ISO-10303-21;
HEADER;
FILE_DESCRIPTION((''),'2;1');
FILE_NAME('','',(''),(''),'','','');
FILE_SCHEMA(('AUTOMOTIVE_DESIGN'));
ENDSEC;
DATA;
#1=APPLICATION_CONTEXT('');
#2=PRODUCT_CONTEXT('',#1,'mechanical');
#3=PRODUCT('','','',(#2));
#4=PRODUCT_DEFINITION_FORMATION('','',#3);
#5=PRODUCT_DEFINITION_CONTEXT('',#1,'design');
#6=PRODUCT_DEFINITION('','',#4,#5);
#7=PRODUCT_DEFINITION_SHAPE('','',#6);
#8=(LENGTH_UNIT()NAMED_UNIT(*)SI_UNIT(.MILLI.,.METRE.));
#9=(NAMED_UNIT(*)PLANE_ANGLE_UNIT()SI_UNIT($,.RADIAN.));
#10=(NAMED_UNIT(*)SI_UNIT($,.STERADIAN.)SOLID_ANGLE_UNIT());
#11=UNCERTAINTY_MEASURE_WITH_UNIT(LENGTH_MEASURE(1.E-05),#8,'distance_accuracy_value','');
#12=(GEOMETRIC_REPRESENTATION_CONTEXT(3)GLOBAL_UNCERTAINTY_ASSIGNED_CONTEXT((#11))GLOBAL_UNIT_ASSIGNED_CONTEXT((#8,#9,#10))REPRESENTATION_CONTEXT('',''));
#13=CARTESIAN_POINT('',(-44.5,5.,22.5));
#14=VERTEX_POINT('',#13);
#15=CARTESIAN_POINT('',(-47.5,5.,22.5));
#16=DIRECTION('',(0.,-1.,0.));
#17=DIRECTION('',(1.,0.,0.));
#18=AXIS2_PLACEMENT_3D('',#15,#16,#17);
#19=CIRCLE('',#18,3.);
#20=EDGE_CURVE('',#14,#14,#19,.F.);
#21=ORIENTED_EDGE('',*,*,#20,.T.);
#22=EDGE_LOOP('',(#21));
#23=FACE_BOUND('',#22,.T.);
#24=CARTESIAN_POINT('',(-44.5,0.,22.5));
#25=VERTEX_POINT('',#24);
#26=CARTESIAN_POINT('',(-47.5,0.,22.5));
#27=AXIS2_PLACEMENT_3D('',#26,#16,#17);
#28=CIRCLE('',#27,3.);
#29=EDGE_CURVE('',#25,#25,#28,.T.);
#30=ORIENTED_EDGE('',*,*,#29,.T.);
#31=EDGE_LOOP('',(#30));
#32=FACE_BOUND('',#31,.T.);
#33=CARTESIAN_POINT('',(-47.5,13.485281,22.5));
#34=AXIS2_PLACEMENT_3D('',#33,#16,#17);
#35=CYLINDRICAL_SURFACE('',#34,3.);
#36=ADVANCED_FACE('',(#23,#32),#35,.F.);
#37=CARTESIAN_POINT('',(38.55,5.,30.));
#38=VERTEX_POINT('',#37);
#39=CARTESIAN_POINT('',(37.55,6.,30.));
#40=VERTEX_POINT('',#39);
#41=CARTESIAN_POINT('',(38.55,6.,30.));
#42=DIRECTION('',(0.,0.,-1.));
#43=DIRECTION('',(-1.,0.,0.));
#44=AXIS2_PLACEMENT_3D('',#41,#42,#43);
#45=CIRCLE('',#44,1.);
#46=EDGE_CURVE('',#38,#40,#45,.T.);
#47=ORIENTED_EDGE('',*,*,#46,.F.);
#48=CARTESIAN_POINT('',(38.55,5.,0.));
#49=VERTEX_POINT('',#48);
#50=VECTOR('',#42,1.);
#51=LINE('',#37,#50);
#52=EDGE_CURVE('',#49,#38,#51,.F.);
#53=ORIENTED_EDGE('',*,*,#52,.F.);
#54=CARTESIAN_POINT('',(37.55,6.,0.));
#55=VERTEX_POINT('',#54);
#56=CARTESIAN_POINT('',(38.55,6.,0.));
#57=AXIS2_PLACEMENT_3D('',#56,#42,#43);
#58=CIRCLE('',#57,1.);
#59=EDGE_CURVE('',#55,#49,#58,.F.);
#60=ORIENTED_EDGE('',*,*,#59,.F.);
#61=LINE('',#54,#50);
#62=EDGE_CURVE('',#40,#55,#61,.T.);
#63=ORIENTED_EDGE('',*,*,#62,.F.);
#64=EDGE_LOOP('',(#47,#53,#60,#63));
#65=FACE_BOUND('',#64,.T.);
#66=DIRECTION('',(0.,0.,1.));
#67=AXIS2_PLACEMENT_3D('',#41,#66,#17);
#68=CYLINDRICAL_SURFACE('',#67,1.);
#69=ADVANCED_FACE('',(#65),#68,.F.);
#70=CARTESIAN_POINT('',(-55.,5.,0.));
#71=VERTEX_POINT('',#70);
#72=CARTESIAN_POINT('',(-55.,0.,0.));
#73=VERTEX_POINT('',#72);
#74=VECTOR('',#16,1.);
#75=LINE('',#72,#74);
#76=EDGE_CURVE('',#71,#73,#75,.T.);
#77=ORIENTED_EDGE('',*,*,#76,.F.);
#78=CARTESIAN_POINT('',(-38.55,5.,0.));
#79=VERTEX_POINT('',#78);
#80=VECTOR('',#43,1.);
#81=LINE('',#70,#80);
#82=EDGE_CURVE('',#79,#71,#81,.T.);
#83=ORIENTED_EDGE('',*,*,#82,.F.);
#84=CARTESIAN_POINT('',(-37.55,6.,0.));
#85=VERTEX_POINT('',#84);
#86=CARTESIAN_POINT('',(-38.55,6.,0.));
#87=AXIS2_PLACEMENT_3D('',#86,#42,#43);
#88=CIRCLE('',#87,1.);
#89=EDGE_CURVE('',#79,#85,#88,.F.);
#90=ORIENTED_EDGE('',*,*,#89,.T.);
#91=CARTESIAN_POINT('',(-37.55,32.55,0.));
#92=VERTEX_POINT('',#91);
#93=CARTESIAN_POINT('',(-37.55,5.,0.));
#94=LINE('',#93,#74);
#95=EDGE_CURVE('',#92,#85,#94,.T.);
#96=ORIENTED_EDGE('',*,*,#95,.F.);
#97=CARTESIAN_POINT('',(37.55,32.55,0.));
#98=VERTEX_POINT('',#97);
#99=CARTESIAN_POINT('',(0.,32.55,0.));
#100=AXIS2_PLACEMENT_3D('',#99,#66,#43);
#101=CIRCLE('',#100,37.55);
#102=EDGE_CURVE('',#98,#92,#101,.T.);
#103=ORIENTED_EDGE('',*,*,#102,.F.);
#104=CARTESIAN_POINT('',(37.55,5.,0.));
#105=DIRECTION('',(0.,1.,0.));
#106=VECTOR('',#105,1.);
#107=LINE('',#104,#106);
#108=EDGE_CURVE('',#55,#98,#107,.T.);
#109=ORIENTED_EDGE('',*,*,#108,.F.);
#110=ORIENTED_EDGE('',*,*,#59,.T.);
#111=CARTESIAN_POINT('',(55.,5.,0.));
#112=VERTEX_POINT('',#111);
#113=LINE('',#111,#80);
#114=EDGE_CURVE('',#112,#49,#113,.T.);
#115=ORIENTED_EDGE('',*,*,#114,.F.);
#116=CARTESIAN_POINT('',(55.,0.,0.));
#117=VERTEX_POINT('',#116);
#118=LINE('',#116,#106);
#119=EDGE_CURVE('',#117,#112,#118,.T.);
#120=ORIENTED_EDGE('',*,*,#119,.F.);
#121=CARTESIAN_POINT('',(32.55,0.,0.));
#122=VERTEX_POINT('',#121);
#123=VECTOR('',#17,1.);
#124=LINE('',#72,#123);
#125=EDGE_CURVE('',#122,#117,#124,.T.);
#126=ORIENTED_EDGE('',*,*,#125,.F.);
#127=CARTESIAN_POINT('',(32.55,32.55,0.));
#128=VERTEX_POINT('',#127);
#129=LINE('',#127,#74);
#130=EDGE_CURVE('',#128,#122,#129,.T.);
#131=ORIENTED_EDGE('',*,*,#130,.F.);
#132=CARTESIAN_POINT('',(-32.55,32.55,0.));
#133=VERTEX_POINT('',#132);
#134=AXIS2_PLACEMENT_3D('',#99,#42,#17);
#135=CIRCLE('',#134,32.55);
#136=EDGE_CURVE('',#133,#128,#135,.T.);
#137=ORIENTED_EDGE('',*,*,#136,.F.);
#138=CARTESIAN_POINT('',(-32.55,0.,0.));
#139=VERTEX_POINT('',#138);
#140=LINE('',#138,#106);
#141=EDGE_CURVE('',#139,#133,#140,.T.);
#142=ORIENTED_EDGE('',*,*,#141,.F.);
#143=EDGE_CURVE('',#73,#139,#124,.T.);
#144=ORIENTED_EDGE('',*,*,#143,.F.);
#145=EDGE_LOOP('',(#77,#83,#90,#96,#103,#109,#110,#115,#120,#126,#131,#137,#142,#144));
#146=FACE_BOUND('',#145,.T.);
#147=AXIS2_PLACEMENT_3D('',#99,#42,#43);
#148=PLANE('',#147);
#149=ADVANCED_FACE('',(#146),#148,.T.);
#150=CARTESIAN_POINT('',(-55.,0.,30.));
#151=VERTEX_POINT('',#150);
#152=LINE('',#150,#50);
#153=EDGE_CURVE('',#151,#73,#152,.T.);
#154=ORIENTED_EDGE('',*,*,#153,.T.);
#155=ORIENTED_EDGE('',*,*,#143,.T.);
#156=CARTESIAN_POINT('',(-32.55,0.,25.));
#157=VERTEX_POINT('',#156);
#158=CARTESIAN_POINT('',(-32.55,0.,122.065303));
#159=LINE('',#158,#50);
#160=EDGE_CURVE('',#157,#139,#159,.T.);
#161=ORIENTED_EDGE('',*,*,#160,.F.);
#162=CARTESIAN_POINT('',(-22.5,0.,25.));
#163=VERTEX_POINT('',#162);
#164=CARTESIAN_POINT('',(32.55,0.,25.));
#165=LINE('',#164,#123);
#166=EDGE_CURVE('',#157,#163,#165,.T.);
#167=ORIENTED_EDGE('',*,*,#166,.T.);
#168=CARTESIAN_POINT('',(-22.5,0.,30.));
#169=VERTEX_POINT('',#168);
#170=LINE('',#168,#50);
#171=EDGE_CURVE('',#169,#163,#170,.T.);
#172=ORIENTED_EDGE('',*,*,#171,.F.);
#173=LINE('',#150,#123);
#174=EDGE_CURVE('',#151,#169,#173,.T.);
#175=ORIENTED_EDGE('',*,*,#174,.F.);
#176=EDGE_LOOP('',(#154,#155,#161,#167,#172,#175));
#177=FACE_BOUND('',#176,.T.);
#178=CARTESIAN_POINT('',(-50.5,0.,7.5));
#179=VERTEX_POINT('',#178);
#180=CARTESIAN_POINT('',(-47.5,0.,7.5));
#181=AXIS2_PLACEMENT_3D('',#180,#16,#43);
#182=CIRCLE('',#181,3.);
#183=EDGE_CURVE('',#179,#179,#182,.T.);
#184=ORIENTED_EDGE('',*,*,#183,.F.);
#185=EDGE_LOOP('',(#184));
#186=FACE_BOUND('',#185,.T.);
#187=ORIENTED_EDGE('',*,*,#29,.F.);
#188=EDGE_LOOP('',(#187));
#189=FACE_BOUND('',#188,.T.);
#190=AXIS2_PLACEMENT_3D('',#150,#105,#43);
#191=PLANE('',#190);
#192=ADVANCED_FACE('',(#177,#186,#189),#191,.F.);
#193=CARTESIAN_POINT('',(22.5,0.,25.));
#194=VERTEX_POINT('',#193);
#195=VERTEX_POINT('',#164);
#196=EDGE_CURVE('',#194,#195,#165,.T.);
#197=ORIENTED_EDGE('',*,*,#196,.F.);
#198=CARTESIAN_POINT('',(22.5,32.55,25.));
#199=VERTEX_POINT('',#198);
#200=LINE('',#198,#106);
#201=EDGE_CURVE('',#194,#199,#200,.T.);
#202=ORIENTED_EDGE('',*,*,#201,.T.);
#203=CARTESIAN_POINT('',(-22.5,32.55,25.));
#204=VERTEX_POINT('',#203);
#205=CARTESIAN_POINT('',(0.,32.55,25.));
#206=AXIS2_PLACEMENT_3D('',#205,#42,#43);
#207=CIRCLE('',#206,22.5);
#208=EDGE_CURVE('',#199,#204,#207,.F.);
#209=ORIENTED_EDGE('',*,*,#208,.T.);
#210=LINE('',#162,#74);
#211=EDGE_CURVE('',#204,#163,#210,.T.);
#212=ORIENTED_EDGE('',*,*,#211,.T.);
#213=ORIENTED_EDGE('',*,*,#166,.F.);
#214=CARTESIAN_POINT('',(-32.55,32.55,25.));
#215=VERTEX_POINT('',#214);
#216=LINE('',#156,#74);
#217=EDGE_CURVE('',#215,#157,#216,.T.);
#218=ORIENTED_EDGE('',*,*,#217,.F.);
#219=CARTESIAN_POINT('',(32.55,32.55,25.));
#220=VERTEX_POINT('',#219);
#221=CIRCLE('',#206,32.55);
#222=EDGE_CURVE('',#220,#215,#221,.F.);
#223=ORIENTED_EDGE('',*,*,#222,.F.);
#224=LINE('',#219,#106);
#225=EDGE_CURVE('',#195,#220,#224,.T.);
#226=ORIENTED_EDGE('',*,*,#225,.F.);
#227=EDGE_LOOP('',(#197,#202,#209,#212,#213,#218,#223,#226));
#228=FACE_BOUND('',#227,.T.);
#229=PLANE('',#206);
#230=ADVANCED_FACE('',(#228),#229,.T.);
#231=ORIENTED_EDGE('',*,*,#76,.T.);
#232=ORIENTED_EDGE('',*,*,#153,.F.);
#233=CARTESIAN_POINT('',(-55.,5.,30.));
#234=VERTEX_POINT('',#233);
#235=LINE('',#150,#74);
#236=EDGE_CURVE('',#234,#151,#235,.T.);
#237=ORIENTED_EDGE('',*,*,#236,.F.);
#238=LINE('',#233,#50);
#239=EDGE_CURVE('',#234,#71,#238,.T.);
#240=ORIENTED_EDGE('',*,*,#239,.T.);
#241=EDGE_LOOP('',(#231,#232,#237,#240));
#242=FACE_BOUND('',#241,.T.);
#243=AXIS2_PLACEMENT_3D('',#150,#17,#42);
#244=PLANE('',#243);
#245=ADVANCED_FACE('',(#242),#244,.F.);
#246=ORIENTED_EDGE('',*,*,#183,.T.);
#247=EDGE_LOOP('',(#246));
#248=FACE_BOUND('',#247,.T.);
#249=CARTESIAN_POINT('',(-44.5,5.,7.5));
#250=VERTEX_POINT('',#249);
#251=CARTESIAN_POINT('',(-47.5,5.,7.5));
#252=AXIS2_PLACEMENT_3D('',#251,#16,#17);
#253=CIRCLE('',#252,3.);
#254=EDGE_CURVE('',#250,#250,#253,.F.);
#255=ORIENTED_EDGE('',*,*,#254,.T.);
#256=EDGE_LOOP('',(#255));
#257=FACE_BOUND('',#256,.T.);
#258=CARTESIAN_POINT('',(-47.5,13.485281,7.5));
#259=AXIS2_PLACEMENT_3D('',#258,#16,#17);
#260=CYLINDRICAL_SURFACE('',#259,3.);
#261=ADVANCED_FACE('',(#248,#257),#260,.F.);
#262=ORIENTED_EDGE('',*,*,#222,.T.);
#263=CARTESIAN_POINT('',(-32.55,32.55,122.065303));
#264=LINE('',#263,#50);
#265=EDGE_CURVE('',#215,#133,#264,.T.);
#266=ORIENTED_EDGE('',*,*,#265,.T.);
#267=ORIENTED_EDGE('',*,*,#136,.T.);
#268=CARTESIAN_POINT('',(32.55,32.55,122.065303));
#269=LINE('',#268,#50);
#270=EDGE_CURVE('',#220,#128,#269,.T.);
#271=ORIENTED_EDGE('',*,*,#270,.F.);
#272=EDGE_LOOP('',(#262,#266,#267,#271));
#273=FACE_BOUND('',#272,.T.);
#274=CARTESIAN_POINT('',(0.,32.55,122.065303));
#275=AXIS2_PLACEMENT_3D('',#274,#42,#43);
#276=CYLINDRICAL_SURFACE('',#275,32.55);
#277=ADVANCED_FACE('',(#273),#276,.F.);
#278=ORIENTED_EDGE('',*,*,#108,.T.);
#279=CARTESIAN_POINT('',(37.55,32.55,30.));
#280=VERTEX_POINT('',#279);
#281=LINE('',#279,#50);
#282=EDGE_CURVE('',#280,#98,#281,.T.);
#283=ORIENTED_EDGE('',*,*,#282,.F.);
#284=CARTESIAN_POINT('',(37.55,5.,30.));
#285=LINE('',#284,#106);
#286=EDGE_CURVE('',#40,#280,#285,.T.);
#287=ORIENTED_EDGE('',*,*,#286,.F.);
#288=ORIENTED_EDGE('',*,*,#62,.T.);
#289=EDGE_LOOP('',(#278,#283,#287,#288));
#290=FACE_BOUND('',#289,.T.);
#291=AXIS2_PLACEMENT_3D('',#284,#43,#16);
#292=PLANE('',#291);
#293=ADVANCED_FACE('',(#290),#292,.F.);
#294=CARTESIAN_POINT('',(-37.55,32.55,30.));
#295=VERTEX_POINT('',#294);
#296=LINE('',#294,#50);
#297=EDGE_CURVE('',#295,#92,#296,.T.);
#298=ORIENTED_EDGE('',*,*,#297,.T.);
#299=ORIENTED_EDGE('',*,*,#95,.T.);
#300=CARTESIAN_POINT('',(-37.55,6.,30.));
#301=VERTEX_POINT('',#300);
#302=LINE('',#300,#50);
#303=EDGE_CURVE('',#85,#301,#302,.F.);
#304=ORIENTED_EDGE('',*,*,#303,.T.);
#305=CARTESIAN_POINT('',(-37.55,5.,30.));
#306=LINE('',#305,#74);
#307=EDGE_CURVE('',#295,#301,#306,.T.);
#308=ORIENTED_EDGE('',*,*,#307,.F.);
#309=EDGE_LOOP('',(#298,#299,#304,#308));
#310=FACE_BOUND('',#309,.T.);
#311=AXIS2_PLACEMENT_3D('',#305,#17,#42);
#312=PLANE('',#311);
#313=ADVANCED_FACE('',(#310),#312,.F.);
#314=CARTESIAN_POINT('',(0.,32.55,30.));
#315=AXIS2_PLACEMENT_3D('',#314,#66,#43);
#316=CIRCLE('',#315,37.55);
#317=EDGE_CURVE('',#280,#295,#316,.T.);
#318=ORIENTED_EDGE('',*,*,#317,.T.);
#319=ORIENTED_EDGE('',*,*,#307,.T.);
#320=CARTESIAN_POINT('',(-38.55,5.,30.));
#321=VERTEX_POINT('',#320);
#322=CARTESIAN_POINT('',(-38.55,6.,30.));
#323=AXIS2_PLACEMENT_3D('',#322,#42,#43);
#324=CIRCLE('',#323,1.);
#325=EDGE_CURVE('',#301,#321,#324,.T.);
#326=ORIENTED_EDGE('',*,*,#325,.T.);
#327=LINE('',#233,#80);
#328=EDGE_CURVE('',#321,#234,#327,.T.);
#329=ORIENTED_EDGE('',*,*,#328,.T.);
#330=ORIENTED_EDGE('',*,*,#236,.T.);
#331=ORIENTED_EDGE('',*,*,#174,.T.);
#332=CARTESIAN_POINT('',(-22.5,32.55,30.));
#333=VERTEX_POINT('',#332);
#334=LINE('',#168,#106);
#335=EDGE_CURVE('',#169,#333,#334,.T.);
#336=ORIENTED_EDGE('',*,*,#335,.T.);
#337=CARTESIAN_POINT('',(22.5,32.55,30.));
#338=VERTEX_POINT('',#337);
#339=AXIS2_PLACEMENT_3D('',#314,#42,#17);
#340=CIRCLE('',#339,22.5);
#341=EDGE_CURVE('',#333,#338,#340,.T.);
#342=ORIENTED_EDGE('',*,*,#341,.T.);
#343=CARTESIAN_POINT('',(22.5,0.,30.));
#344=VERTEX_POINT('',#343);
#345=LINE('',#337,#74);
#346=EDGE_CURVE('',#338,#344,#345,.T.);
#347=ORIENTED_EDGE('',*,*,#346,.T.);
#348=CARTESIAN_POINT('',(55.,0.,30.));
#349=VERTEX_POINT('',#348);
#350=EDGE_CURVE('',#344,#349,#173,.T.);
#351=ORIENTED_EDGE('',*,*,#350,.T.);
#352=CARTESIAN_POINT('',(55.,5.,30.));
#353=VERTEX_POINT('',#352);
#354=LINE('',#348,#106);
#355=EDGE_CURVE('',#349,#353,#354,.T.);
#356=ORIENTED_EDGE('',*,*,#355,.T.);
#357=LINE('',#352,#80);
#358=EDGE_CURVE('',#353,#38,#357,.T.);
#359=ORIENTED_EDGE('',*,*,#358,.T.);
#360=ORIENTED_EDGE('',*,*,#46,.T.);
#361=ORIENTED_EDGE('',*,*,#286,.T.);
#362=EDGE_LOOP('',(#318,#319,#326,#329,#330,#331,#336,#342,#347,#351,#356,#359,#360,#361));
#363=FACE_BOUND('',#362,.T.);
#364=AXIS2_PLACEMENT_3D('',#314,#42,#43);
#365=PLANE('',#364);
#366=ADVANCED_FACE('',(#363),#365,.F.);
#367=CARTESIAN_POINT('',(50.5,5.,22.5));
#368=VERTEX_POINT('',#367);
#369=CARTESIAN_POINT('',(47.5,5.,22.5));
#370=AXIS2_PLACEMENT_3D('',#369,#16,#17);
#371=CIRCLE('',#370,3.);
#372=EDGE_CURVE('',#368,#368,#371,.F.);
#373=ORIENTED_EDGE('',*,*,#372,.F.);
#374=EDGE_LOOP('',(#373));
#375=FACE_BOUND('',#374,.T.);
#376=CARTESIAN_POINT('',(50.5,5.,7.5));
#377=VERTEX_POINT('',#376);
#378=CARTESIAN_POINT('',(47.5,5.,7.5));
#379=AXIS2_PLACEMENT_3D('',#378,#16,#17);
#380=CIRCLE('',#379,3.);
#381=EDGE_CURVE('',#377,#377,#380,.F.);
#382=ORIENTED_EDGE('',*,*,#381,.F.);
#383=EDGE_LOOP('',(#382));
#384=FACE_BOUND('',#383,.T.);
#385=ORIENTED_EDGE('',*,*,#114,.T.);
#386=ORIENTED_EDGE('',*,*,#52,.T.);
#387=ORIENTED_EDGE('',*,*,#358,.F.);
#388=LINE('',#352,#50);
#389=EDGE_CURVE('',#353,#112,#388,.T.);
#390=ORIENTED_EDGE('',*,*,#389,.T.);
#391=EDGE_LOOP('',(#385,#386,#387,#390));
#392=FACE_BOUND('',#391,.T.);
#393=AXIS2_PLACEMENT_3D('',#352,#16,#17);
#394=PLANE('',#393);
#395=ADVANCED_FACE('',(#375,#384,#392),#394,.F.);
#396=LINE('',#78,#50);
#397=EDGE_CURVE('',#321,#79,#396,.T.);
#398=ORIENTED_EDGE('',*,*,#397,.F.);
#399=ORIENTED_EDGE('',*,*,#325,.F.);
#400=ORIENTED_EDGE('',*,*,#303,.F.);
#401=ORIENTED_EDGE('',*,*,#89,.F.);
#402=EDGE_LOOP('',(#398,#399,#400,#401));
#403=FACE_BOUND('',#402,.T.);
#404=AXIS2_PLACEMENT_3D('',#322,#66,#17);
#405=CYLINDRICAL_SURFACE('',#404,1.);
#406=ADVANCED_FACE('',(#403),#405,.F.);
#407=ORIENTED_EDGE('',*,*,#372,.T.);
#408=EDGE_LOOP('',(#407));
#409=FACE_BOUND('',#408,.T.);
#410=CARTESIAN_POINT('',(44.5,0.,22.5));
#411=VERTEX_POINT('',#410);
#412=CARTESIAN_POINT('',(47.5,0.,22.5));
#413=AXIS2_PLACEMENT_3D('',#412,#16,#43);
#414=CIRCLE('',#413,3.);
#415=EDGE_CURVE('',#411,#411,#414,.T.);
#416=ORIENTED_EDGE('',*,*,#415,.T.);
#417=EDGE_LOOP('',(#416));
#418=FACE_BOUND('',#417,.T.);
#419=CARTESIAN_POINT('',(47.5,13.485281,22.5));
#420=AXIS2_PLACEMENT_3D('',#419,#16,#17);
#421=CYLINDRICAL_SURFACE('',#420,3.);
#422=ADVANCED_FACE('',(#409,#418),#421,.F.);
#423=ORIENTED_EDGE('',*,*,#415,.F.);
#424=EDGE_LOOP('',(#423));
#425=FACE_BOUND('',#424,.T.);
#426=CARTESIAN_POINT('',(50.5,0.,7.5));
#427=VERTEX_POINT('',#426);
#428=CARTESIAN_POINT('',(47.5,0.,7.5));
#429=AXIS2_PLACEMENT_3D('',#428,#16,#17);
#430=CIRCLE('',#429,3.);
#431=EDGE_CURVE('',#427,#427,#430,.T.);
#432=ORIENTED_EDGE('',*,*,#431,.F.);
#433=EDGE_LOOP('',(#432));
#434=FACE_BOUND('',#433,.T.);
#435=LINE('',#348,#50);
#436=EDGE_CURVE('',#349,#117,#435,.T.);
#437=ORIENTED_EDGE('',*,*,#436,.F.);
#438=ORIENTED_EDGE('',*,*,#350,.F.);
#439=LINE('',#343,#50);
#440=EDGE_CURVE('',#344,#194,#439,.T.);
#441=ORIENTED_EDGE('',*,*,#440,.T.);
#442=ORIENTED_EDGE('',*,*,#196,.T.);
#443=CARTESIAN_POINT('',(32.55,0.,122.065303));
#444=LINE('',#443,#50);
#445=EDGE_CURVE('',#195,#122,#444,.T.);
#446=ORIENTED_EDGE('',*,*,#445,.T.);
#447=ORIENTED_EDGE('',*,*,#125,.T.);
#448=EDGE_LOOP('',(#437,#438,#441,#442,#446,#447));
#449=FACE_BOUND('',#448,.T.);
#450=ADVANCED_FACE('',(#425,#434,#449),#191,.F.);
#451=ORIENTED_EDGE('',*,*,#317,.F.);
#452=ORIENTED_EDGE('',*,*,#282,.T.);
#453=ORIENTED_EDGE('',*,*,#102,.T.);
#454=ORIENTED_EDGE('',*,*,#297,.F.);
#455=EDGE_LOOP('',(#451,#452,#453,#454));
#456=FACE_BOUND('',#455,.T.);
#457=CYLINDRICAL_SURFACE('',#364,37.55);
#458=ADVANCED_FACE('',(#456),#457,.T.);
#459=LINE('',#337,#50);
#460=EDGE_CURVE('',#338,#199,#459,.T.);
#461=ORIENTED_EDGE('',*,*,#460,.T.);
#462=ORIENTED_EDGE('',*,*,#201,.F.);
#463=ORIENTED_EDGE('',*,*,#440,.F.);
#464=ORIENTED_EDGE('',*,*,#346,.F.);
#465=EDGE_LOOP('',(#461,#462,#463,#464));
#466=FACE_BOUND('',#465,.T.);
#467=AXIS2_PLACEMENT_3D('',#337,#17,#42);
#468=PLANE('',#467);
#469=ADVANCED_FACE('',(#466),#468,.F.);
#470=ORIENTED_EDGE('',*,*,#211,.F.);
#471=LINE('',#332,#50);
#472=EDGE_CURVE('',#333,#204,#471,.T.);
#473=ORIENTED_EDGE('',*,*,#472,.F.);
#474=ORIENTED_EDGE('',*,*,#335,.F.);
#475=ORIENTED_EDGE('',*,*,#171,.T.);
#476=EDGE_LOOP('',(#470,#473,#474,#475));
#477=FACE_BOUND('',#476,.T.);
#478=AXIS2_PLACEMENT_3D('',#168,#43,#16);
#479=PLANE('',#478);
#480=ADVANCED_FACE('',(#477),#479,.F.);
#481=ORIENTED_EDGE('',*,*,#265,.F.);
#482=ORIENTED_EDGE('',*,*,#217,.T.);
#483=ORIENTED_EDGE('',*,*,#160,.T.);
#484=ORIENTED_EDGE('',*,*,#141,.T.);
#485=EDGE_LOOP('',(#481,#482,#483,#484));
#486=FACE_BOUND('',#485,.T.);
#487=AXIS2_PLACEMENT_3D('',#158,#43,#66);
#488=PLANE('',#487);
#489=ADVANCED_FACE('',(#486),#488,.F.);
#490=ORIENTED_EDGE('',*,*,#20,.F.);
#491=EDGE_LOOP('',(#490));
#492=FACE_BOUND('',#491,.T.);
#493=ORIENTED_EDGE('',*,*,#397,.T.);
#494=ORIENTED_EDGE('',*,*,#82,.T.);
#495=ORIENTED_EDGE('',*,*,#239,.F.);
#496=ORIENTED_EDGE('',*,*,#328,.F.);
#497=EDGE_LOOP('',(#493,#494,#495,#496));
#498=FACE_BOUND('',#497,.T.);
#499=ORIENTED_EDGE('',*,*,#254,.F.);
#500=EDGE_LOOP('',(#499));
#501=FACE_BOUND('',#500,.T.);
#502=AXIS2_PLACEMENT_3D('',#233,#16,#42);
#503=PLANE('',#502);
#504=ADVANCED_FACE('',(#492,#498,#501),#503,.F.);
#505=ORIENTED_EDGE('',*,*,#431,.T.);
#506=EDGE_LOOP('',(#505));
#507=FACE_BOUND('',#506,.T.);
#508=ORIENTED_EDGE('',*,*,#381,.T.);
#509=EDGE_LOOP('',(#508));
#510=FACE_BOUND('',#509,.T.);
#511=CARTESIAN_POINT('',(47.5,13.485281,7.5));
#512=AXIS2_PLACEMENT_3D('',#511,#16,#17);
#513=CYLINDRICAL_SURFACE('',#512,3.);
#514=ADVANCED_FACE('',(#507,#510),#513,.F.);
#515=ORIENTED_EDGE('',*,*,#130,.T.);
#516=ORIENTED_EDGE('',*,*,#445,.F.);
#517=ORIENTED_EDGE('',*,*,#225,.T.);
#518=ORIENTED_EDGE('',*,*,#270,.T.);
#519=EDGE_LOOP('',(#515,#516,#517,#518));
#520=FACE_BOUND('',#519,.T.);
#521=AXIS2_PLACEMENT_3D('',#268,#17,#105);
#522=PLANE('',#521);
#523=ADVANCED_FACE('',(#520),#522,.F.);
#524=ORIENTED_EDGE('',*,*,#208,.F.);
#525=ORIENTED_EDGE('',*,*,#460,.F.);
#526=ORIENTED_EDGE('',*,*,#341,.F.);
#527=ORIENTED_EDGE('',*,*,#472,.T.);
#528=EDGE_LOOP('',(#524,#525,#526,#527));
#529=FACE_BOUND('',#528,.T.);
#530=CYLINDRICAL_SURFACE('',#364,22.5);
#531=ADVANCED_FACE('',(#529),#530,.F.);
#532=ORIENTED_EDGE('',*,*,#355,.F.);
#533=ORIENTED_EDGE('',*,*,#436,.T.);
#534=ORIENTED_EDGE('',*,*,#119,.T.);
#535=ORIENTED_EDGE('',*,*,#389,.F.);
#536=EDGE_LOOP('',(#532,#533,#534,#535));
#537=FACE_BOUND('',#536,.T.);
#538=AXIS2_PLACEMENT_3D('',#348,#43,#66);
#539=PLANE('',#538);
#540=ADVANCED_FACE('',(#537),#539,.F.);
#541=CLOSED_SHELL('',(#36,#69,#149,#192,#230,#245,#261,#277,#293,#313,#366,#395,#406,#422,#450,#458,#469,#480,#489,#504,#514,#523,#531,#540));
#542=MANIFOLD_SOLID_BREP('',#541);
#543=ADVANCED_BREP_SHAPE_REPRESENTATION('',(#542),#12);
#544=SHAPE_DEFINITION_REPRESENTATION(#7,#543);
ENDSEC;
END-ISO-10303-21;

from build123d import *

# Parameters (mm, degrees)
BOSS_EXTRU_1_DEPTH      = 30
ENL_V_MAT_EXTRU_1_DEPTH = 31
ENL_V_MAT_EXTRU_2_DEPTH = 25
ESQUISSE4_R             = 3
ENL_V_MAT_EXTRU_3_DEPTH = 5
CONG_1_R                = 1


with BuildPart() as part:
    # Esquisse1 → Boss.-Extru.1 (new body)
    with BuildSketch(Plane.XY):
        with BuildLine():
            Line((-55, 0), (55, 0))
            Line((55, 0), (55, 5))
            Line((55, 5), (37.55, 5))
            Line((37.55, 5), (37.55, 32.55))
            ThreePointArc((37.55, 32.55), (0, 70.1), (-37.55, 32.55))
            Line((-37.55, 32.55), (-37.55, 5))
            Line((-37.55, 5), (-55, 5))
            Line((-55, 5), (-55, 0))
        make_face()
    extrude(amount=BOSS_EXTRU_1_DEPTH)

    # Esquisse2 → Enlèv. mat.-Extru.1 (cut, through all)
    with BuildSketch(Plane(origin=(0, 0, 0), x_dir=(-1, 0, 0), z_dir=(0, 0, -1))):
        with BuildLine():
            Line((-22.5, 32.55), (-22.5, 0))
            Line((-22.5, 0), (22.5, 0))
            Line((22.5, 0), (22.5, 32.55))
            ThreePointArc((22.5, 32.55), (0, 55.05), (-22.5, 32.55))
        make_face()
    extrude(amount=-ENL_V_MAT_EXTRU_1_DEPTH, mode=Mode.SUBTRACT)

    # Esquisse3 → Enlèv. mat.-Extru.2 (cut)
    with BuildSketch(Plane(origin=(0, 0, 0), x_dir=(-1, 0, 0), z_dir=(0, 0, -1))):
        with BuildLine():
            Line((-32.55, 32.55), (-32.55, 0))
            Line((-32.55, 0), (32.55, 0))
            Line((32.55, 0), (32.55, 32.55))
            ThreePointArc((32.55, 32.55), (0, 65.1), (-32.55, 32.55))
        make_face()
    extrude(amount=-ENL_V_MAT_EXTRU_2_DEPTH, mode=Mode.SUBTRACT)

    # Esquisse4 → Enlèv. mat.-Extru.3 (cut)
    with BuildSketch(Plane.XZ):
        with Locations((47.5, 7.5)):
            Circle(ESQUISSE4_R)
        with Locations((-47.5, 7.5)):
            Circle(ESQUISSE4_R)
        with Locations((47.5, 22.5)):
            Circle(ESQUISSE4_R)
        with Locations((-47.5, 22.5)):
            Circle(ESQUISSE4_R)
    extrude(amount=-ENL_V_MAT_EXTRU_3_DEPTH, mode=Mode.SUBTRACT)

    # Congé1
    cong_1_edges = [part.edges().sort_by_distance(p)[0] for p in [
        (-37.55, 5, 15),
        (37.55, 5, 15),
    ]]
    fillet(cong_1_edges, radius=CONG_1_R)


solid = part.part
